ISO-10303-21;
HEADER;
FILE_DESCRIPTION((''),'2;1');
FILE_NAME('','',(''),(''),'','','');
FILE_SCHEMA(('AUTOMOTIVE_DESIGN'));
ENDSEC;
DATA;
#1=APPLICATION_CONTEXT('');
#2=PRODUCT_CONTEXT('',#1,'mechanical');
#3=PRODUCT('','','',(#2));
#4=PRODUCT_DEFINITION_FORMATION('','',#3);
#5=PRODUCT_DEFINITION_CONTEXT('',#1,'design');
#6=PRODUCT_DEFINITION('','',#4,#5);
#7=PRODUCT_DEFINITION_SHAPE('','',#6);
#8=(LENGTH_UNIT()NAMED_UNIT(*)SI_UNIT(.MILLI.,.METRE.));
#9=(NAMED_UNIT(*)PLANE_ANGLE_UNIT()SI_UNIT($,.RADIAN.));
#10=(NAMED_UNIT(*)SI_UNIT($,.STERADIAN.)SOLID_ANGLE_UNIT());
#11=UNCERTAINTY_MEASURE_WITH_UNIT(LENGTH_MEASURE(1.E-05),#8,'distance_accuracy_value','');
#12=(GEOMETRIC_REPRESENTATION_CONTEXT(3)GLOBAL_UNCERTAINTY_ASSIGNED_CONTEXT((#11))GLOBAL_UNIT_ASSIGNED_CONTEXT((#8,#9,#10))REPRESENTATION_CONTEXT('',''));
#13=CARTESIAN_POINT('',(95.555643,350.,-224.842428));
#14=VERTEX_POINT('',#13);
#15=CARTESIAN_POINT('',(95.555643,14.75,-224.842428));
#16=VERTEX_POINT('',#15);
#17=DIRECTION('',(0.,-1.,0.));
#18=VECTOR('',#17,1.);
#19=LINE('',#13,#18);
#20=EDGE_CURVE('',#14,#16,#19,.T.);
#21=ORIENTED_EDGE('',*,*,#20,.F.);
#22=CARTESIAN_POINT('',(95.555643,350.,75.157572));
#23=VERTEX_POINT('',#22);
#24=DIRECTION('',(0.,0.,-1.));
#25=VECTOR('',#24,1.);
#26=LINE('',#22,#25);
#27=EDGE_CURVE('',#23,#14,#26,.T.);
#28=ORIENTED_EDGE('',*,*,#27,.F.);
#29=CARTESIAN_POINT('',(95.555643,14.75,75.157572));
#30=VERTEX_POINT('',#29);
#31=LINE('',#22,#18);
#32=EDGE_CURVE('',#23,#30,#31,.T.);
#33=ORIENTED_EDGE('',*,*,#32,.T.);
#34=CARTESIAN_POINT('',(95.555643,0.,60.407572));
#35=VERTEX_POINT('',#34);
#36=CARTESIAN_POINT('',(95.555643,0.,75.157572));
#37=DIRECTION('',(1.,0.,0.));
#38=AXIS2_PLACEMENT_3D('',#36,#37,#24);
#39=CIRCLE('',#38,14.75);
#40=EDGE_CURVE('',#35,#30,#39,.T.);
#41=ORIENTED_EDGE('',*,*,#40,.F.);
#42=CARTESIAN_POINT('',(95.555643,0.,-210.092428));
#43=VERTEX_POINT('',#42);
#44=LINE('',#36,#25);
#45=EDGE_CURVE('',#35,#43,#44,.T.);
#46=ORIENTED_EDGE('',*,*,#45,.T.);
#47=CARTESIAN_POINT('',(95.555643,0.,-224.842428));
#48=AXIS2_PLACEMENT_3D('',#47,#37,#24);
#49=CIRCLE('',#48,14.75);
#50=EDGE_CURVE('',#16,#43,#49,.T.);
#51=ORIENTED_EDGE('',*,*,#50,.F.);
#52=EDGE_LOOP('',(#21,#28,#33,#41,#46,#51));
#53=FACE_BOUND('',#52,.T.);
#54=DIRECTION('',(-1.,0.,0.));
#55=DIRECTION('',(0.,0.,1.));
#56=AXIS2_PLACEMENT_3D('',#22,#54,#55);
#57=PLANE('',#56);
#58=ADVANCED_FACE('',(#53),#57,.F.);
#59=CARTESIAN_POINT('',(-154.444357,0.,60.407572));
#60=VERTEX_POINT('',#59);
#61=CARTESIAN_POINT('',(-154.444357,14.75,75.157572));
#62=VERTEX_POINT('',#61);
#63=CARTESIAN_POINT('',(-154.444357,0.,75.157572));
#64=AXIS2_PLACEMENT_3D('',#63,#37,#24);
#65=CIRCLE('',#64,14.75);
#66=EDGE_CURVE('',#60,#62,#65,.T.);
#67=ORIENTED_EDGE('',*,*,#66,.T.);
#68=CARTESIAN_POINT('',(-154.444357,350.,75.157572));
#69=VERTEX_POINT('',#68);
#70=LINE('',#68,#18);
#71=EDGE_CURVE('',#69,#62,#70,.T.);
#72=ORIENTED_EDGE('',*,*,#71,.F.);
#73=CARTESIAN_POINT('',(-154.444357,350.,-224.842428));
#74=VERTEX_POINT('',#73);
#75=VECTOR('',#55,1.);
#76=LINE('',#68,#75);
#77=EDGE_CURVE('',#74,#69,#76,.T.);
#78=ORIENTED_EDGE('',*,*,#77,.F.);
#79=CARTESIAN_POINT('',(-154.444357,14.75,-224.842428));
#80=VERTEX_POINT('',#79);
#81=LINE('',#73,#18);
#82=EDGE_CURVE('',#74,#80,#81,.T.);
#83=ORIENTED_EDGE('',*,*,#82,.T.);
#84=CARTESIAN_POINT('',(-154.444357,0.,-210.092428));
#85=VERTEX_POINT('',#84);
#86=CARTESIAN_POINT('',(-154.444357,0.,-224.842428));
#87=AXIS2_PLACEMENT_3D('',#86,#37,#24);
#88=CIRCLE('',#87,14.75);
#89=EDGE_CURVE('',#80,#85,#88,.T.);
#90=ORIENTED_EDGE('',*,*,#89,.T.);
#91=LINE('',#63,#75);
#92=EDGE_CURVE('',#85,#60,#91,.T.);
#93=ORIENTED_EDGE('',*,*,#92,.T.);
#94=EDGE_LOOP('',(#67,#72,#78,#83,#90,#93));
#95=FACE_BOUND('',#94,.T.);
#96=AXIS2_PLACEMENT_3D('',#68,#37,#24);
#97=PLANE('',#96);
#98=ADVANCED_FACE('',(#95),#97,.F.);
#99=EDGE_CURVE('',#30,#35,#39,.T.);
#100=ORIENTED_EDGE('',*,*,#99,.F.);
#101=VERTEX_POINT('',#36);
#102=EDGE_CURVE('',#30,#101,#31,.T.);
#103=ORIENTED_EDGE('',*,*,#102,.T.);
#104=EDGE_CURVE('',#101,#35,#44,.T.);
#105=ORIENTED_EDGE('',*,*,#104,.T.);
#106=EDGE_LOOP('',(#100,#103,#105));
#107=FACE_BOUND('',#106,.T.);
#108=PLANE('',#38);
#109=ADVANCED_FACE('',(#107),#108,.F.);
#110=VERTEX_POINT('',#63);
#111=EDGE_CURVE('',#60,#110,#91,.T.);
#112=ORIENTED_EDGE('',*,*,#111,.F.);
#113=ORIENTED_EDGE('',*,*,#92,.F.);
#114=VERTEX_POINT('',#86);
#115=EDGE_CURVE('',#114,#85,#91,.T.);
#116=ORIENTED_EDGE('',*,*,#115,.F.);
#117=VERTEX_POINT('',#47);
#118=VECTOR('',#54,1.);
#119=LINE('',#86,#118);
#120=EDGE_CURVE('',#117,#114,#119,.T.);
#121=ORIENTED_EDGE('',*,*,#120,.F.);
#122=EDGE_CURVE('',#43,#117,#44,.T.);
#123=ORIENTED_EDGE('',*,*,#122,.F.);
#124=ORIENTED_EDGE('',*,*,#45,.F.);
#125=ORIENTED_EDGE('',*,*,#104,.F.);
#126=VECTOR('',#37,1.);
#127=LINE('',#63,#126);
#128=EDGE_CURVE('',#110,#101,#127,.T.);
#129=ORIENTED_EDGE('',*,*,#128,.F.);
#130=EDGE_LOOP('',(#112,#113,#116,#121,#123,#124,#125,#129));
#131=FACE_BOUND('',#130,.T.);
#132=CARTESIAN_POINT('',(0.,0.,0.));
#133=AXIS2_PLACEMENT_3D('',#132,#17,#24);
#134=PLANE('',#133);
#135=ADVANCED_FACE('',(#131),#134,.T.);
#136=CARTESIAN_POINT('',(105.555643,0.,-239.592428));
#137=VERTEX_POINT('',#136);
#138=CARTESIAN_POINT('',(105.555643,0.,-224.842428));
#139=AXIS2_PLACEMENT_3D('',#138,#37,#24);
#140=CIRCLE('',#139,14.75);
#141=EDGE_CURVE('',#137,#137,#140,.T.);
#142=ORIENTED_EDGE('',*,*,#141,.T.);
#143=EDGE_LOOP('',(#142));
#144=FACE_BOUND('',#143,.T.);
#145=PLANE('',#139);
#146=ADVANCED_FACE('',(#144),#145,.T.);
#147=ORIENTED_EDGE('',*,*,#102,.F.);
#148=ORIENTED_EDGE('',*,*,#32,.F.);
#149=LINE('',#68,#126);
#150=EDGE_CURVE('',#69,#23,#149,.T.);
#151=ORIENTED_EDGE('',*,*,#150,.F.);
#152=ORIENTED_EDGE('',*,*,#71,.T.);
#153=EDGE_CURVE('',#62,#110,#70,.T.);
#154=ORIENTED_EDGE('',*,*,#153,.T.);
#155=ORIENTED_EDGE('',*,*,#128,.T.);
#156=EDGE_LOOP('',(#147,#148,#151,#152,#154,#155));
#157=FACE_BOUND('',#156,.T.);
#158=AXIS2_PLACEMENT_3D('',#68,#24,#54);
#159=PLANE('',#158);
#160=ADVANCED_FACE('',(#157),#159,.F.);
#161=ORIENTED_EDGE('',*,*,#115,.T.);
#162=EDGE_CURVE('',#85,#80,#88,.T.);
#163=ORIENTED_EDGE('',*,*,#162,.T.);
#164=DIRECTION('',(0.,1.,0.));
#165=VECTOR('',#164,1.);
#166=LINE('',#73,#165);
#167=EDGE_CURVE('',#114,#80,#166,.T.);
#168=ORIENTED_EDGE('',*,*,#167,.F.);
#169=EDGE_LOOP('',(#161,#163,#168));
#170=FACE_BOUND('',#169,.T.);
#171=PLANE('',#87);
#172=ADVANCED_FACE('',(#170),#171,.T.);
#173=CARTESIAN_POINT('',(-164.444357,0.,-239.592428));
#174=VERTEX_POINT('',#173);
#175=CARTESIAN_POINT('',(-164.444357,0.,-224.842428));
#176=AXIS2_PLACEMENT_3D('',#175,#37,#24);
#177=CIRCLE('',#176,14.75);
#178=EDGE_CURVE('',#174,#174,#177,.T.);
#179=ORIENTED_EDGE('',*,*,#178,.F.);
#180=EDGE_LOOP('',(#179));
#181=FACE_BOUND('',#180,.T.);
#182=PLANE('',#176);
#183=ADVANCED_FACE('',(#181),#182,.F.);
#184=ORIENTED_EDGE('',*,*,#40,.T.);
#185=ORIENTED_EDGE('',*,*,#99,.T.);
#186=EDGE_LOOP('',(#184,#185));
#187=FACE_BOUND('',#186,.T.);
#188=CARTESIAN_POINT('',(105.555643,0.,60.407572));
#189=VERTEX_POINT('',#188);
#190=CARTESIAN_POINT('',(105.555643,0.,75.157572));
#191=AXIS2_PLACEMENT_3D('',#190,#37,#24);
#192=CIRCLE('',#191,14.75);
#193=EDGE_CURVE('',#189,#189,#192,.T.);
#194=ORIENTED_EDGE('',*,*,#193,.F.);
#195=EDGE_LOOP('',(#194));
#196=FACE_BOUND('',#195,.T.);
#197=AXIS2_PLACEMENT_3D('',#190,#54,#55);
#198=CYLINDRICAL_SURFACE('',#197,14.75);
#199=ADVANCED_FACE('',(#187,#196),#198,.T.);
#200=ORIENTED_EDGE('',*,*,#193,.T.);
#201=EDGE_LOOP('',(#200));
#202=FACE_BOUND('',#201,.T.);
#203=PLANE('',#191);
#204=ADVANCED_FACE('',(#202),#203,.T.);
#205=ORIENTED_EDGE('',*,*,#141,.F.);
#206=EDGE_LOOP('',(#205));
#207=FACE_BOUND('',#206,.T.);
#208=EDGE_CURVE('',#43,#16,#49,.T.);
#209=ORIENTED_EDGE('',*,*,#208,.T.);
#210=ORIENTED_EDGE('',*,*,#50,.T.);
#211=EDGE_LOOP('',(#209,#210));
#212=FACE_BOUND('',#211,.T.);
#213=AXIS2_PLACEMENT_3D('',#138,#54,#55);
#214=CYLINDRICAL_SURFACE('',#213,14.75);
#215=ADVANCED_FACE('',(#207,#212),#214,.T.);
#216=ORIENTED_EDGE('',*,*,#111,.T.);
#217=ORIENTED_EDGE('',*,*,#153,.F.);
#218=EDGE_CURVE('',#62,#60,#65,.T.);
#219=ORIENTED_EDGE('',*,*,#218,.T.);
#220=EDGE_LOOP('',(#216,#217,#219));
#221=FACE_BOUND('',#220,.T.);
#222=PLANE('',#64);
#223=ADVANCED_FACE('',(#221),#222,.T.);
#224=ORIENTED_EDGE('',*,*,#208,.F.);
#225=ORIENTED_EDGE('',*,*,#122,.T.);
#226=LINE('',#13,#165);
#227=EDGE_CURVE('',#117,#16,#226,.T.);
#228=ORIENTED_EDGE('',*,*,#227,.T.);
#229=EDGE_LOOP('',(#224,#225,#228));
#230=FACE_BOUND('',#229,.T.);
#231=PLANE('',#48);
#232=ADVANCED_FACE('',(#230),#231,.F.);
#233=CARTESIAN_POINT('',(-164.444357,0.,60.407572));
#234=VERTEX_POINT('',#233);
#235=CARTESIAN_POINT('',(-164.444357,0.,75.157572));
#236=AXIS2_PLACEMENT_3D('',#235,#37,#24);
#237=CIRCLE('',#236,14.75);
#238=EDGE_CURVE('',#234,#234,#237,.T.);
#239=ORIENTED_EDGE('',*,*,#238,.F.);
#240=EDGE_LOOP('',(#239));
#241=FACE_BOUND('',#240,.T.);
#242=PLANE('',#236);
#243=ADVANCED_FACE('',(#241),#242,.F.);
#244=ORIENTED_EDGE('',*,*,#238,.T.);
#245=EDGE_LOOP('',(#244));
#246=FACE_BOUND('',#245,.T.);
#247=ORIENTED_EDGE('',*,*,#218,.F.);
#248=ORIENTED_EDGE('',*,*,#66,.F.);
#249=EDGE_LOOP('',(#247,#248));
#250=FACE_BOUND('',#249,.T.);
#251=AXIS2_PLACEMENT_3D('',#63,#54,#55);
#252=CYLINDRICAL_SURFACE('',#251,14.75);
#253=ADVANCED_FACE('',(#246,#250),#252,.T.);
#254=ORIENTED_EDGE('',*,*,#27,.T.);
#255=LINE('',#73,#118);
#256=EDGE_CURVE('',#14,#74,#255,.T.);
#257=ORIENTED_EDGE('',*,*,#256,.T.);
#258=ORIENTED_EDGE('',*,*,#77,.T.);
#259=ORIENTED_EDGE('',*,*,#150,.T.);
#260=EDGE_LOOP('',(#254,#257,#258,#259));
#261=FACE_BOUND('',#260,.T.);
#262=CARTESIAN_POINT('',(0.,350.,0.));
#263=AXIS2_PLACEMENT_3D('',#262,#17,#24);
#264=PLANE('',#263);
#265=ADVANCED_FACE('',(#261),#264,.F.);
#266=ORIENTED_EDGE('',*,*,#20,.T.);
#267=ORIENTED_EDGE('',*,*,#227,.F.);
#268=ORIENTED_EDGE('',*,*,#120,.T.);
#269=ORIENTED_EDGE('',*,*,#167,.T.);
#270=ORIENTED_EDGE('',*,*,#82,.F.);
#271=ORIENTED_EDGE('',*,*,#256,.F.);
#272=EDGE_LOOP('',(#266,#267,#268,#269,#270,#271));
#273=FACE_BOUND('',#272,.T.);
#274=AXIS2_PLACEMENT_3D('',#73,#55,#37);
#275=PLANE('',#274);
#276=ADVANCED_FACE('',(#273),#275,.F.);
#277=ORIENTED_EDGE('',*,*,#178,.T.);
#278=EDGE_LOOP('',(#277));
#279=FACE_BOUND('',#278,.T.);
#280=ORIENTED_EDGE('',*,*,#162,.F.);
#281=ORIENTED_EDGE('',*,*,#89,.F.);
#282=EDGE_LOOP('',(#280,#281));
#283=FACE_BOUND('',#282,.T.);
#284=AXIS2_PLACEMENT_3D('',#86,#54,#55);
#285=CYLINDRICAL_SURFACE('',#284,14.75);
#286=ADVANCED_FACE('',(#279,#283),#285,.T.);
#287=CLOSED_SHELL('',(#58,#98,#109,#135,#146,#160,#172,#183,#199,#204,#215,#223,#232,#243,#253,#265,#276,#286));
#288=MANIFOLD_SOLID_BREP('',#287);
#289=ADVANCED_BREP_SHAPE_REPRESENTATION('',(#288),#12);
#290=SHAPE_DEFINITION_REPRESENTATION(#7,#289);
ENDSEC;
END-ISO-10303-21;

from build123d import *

# Parameters (mm, degrees)
SKETCH1_W           = 250
SKETCH1_H           = 300
BOSS_EXTRUDE1_DEPTH = 350
SKETCH2_R           = 14.75
BOSS_EXTRUDE2_DEPTH = 10
LPATTERN2_COUNT     = 2
LPATTERN2_PITCH     = 260


with BuildPart() as part:
    # Sketch1 → Boss-Extrude1 (new body)
    with BuildSketch(Plane(origin=(0, 0, 0), x_dir=(1, 0, 0), z_dir=(0, 1, 0))):
        with Locations((-29.444356891, 74.84242821)):
            Rectangle(SKETCH1_W, SKETCH1_H)
    extrude(amount=BOSS_EXTRUDE1_DEPTH)

    # Sketch2 → Boss-Extrude2 (add)
    with BuildSketch(Plane(origin=(95.555643109, 0, 0), x_dir=(0, 0, -1), z_dir=(1, 0, 0))):
        with Locations((-75.15757179, 0)):
            Circle(SKETCH2_R)
        with Locations(Location((224.84242821, 0, 0), (0, 0, 180))):
            Circle(SKETCH2_R)
    boss_extrude2 = extrude(amount=BOSS_EXTRUDE2_DEPTH)

    # LPattern2: Boss-Extrude2 ×2
    with Locations(*[(-i * LPATTERN2_PITCH, 0, 0) for i in range(1, LPATTERN2_COUNT)]):
        add(boss_extrude2)


solid = part.part
